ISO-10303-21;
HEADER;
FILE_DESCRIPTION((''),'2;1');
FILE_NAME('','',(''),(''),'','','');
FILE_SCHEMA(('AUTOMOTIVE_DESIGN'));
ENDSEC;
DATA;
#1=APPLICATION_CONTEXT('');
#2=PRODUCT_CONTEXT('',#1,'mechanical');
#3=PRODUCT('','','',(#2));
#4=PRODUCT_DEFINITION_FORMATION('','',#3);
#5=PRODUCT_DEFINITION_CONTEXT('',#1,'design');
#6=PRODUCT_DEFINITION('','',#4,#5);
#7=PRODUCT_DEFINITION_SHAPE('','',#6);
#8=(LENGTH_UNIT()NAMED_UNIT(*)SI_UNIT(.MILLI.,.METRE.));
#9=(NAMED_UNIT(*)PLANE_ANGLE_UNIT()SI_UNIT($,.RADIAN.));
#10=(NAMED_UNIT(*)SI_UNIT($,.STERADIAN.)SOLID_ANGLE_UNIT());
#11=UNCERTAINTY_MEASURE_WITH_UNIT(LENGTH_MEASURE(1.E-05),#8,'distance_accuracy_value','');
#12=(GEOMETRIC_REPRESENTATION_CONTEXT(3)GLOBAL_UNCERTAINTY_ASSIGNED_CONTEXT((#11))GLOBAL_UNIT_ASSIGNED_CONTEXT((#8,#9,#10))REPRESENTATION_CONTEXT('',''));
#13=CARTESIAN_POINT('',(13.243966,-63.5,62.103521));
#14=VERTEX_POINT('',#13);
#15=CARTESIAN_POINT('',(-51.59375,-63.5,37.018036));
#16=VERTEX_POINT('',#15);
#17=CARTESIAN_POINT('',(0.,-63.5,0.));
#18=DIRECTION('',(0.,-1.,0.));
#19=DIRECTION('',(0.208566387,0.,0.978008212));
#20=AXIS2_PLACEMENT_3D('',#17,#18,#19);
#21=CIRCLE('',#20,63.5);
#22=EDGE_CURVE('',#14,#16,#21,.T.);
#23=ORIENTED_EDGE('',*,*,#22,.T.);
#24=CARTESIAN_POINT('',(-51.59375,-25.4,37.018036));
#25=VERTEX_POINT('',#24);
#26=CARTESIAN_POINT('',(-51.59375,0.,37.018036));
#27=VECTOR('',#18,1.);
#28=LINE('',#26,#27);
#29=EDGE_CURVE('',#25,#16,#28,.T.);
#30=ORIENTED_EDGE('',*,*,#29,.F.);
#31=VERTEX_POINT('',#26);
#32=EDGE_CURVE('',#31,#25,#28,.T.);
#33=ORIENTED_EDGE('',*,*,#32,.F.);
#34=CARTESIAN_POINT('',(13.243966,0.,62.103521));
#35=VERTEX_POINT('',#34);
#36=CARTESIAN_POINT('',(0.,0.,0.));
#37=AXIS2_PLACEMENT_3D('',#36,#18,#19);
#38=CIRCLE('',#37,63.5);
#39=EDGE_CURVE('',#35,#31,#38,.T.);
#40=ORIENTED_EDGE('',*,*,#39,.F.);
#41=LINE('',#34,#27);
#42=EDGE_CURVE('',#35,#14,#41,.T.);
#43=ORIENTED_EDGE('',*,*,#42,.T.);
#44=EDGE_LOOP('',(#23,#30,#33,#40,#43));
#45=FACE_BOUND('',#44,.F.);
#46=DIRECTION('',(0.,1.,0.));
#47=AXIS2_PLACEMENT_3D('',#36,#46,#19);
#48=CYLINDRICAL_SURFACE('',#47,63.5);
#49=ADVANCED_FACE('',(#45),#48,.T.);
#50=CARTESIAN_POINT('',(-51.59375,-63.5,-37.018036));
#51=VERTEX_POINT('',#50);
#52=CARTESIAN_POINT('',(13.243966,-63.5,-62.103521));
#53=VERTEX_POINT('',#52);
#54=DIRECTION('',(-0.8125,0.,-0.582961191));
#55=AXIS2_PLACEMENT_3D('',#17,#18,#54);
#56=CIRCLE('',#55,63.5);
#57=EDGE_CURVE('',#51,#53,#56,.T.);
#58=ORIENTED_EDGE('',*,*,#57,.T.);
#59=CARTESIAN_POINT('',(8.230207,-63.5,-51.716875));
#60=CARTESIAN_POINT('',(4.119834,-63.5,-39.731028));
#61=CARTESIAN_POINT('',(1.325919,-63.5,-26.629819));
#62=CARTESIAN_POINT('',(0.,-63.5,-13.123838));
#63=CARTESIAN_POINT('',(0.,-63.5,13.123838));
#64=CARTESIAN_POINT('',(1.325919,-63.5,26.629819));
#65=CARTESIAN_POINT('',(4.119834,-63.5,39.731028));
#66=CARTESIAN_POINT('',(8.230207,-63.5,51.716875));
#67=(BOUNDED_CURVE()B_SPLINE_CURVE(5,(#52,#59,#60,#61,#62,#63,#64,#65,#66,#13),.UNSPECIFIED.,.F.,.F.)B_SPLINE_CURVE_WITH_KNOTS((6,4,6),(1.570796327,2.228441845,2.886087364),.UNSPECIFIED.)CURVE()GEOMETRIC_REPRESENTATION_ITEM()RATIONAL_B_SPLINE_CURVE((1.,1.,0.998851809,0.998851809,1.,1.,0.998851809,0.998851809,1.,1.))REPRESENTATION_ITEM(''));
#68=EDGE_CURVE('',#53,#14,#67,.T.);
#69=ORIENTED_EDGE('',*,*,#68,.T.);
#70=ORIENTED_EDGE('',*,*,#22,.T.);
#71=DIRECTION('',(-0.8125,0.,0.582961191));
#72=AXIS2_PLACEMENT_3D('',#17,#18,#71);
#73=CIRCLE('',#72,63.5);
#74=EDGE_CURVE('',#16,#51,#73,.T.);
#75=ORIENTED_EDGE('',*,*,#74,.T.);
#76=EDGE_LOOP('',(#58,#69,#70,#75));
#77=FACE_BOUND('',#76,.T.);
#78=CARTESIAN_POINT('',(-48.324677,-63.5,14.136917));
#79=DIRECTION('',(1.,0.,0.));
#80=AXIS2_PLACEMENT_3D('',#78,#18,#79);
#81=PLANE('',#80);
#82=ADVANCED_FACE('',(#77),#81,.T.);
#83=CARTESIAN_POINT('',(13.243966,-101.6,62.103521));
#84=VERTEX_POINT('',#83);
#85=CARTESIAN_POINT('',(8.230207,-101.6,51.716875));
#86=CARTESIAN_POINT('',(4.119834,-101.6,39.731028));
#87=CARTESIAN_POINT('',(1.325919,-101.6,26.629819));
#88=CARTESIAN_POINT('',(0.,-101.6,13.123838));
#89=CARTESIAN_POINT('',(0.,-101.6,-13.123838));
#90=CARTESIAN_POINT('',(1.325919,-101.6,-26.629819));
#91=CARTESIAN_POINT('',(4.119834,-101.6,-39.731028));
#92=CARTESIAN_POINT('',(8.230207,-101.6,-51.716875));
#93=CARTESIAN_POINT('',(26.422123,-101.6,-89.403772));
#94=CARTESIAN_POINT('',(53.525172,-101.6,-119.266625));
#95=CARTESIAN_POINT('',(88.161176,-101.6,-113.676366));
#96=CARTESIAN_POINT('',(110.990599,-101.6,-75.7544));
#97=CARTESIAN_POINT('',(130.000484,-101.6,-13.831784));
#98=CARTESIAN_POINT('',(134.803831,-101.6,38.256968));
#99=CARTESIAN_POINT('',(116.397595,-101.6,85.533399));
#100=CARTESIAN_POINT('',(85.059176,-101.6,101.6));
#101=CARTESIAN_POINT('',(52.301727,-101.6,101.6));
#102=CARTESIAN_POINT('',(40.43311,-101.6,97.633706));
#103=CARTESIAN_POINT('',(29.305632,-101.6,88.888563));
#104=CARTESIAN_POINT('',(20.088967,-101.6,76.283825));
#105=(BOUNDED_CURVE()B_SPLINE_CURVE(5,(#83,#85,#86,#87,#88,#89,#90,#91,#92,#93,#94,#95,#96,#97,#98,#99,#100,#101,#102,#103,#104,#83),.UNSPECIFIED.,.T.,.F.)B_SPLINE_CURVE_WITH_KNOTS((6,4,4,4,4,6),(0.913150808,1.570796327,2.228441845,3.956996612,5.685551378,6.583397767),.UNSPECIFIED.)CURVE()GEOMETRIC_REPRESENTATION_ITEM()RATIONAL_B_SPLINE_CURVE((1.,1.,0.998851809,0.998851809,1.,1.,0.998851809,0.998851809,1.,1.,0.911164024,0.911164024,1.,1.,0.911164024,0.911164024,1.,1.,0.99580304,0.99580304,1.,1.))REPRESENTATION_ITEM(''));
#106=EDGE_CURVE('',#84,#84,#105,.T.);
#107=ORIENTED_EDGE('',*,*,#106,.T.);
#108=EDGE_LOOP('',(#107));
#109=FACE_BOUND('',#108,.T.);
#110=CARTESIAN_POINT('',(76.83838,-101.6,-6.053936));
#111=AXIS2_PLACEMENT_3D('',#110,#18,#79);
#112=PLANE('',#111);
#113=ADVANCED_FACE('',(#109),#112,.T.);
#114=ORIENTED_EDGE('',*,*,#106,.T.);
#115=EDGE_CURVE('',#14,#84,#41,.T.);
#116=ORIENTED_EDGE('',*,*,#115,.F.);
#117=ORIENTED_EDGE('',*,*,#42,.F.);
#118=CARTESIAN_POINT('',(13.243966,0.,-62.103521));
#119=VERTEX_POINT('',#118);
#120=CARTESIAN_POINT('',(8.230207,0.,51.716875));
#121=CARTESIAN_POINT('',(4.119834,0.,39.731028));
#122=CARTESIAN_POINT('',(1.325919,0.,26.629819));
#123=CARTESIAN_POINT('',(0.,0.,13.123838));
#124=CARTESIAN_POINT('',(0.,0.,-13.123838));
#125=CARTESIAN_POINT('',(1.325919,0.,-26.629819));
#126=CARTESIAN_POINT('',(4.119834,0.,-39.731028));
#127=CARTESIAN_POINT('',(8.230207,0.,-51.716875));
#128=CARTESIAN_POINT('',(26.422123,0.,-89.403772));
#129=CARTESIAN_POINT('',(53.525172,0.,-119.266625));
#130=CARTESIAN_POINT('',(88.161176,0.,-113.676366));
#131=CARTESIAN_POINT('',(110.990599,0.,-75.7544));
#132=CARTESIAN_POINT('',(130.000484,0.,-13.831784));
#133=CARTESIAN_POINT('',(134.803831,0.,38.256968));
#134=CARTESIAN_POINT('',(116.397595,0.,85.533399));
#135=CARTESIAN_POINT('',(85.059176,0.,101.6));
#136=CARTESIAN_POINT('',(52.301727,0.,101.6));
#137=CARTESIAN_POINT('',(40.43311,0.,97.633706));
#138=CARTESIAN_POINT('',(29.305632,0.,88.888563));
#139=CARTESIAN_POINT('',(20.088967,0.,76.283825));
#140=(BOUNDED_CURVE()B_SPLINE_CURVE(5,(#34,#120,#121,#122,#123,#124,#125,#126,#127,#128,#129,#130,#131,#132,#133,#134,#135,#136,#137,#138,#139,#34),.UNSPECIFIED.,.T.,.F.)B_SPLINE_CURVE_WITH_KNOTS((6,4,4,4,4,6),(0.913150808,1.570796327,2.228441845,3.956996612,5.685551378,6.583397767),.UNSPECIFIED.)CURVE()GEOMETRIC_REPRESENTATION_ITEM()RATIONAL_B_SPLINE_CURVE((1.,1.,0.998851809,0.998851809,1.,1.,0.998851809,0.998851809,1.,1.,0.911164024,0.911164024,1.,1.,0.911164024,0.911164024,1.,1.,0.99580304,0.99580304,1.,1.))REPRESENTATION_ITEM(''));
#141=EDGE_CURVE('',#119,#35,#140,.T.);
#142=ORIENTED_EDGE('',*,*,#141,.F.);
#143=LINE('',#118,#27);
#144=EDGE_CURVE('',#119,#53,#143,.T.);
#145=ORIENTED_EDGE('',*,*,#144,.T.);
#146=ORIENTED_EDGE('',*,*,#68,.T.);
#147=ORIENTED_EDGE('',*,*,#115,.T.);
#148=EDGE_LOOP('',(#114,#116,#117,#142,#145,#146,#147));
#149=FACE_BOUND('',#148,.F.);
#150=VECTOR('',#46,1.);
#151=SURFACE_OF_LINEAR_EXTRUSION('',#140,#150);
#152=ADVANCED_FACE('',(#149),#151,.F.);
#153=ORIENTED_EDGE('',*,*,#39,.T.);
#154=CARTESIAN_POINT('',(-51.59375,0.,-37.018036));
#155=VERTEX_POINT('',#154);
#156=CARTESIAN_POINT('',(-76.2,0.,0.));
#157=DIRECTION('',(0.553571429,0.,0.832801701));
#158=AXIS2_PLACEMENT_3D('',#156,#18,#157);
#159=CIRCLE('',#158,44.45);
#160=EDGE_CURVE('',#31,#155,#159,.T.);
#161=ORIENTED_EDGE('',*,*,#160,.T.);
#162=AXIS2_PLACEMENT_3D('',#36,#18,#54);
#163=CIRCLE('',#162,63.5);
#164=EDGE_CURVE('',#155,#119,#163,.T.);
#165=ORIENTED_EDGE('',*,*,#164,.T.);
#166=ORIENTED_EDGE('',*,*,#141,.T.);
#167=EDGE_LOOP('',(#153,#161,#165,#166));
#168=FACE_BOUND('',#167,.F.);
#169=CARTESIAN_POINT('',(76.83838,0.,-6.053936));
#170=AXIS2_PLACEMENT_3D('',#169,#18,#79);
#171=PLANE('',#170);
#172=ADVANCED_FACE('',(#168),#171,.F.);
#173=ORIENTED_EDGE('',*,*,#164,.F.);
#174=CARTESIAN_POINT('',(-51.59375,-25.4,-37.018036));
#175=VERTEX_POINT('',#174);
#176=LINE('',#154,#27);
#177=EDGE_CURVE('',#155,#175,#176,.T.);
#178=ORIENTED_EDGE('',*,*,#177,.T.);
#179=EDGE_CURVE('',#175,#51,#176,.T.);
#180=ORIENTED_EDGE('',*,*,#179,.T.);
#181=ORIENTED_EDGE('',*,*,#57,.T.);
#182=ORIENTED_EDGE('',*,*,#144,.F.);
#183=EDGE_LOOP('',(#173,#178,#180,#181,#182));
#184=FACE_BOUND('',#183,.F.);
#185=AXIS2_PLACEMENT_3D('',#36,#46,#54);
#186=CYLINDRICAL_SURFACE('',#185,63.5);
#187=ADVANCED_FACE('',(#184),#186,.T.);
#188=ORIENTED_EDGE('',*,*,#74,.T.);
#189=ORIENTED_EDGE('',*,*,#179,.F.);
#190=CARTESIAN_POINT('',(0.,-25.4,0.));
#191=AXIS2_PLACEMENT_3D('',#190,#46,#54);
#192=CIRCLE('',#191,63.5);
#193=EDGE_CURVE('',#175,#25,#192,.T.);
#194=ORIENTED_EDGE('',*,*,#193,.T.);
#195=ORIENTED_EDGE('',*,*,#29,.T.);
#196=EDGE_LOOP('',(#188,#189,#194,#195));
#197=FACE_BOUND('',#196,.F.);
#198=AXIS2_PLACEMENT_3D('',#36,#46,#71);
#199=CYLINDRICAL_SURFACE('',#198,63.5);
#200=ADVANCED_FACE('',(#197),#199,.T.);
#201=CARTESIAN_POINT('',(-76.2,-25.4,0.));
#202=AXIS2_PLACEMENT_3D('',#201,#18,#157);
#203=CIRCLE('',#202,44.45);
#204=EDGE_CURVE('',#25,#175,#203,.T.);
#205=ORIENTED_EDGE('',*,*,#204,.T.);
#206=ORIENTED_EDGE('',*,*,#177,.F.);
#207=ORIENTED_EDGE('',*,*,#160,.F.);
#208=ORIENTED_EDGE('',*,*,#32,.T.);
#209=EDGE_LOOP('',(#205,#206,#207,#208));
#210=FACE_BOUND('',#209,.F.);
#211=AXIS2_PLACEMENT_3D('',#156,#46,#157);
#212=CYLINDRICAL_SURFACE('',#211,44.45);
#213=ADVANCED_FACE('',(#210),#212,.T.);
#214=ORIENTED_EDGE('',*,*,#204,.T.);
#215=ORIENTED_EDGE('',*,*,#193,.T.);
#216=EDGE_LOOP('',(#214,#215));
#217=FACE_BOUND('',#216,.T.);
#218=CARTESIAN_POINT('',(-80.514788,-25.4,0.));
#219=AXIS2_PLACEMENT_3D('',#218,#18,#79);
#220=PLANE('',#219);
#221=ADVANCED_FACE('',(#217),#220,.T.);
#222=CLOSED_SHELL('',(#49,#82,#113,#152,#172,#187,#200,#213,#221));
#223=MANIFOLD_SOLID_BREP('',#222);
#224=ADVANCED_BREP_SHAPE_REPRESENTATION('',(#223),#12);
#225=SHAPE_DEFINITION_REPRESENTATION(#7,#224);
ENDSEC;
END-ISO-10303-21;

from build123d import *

# Parameters (mm, degrees)
F1_DEPTH = 25.4
F2_DEPTH = 63.5
F3_DEPTH = 101.6


with BuildPart() as f1:
    # F0 (on Front) → F1 (new body)
    with BuildSketch(Plane.XZ):
        with BuildLine():
            ThreePointArc((-51.59375, -37.0180356169), (-60.4501990278, -19.4428248333), (-63.5, 0))
            ThreePointArc((-63.5, 0), (-60.4501990278, 19.4428248333), (-51.59375, 37.0180356169))
            ThreePointArc((-51.59375, 37.0180356169), (-120.65, 0), (-51.59375, -37.0180356169))
        make_face()
    extrude(amount=F1_DEPTH)

    # F0 (on Front) → F2 (join)
    with BuildSketch(Plane.XZ):
        with BuildLine():
            Line((-63.5, 0), (-31.75, 0))
            ThreePointArc((-31.75, 0), (-37.0237934934, 21.0006510316), (-51.59375, 37.0180356169))
            ThreePointArc((-51.59375, 37.0180356169), (-60.4501990278, 19.4428248333), (-63.5, 0))
        make_face()
        with BuildLine():
            ThreePointArc((-51.59375, -37.0180356169), (-37.0237934934, -21.0006510316), (-31.75, 0))
            Line((-31.75, 0), (-63.5, 0))
            ThreePointArc((-63.5, 0), (-60.4501990278, -19.4428248333), (-51.59375, -37.0180356169))
        make_face()
        with BuildLine():
            add(Edge.make_bspline(
                [(0, 0), (0, -34.6669399309), (13.2439655959, -62.1035214404)],
                knots=[1.5707963268, 1.5707963268, 1.5707963268, 2.2284418454, 2.2284418454, 2.2284418454], degree=2, weights=[1, 0.9464231645, 1]))
            Line((0, 0), (-31.75, 0))
            ThreePointArc((-31.75, 0), (-37.0237934934, -21.0006510316), (-51.59375, -37.0180356169))
            ThreePointArc((-51.59375, -37.0180356169), (-22.9128106244, -59.2220660674), (13.2439655959, -62.1035214404))
        make_face()
        with BuildLine():
            Line((-31.75, 0), (0, 0))
            add(Edge.make_bspline(
                [(13.2439655959, 62.1035214404), (0, 34.6669399309), (0, 0)],
                knots=[0.9131508081, 0.9131508081, 0.9131508081, 1.5707963268, 1.5707963268, 1.5707963268], degree=2, weights=[1, 0.9464231645, 1]))
            ThreePointArc((13.2439655959, 62.1035214404), (-22.9128106244, 59.2220660674), (-51.59375, 37.0180356169))
            ThreePointArc((-51.59375, 37.0180356169), (-37.0237934934, 21.0006510316), (-31.75, 0))
        make_face()
    extrude(amount=F2_DEPTH)

    # F0 (on Front) → F3 (join)
    with BuildSketch(Plane.XZ):
        with BuildLine():
            ThreePointArc((63.5, 0), (49.3621404284, -39.9453262889), (13.2439655959, -62.1035214404))
            add(Edge.make_bspline(
                [(13.2439655959, -62.1035214404), (75.5537087854, -191.1861844445), (120.4955415237, -44.7930922222), (165.437374262, 101.6), (63.5, 101.6)],
                knots=[2.2284418454, 2.2284418454, 2.2284418454, 4.2558135763, 4.2558135763, 6.2831853072, 6.2831853072, 6.2831853072], degree=2, weights=[1, 0.5287358074, 1, 0.5287358074, 1]))
            Line((63.5, 101.6), (63.5, 0))
        make_face()
        with BuildLine():
            add(Edge.make_bspline(
                [(13.2439655959, 62.1035214404), (0, 34.6669399309), (0, 0)],
                knots=[0.9131508081, 0.9131508081, 0.9131508081, 1.5707963268, 1.5707963268, 1.5707963268], degree=2, weights=[1, 0.9464231645, 1]))
            add(Edge.make_bspline(
                [(0, 0), (0, -34.6669399309), (13.2439655959, -62.1035214404)],
                knots=[1.5707963268, 1.5707963268, 1.5707963268, 2.2284418454, 2.2284418454, 2.2284418454], degree=2, weights=[1, 0.9464231645, 1]))
            ThreePointArc((13.2439655959, -62.1035214404), (49.3621404284, -39.9453262889), (63.5, 0))
            ThreePointArc((63.5, 0), (49.3621404284, 39.9453262889), (13.2439655959, 62.1035214404))
        make_face()
        with BuildLine():
            add(Edge.make_bspline(
                [(63.5, 101.6), (32.3093875408, 101.6), (13.2439655959, 62.1035214404)],
                knots=[0, 0, 0, 0.9131508081, 0.9131508081, 0.9131508081], degree=2, weights=[1, 0.8975675831, 1]))
            ThreePointArc((13.2439655959, 62.1035214404), (49.3621404284, 39.9453262889), (63.5, 0))
            Line((63.5, 0), (63.5, 101.6))
        make_face()
    extrude(amount=F3_DEPTH)


solid = f1.part
